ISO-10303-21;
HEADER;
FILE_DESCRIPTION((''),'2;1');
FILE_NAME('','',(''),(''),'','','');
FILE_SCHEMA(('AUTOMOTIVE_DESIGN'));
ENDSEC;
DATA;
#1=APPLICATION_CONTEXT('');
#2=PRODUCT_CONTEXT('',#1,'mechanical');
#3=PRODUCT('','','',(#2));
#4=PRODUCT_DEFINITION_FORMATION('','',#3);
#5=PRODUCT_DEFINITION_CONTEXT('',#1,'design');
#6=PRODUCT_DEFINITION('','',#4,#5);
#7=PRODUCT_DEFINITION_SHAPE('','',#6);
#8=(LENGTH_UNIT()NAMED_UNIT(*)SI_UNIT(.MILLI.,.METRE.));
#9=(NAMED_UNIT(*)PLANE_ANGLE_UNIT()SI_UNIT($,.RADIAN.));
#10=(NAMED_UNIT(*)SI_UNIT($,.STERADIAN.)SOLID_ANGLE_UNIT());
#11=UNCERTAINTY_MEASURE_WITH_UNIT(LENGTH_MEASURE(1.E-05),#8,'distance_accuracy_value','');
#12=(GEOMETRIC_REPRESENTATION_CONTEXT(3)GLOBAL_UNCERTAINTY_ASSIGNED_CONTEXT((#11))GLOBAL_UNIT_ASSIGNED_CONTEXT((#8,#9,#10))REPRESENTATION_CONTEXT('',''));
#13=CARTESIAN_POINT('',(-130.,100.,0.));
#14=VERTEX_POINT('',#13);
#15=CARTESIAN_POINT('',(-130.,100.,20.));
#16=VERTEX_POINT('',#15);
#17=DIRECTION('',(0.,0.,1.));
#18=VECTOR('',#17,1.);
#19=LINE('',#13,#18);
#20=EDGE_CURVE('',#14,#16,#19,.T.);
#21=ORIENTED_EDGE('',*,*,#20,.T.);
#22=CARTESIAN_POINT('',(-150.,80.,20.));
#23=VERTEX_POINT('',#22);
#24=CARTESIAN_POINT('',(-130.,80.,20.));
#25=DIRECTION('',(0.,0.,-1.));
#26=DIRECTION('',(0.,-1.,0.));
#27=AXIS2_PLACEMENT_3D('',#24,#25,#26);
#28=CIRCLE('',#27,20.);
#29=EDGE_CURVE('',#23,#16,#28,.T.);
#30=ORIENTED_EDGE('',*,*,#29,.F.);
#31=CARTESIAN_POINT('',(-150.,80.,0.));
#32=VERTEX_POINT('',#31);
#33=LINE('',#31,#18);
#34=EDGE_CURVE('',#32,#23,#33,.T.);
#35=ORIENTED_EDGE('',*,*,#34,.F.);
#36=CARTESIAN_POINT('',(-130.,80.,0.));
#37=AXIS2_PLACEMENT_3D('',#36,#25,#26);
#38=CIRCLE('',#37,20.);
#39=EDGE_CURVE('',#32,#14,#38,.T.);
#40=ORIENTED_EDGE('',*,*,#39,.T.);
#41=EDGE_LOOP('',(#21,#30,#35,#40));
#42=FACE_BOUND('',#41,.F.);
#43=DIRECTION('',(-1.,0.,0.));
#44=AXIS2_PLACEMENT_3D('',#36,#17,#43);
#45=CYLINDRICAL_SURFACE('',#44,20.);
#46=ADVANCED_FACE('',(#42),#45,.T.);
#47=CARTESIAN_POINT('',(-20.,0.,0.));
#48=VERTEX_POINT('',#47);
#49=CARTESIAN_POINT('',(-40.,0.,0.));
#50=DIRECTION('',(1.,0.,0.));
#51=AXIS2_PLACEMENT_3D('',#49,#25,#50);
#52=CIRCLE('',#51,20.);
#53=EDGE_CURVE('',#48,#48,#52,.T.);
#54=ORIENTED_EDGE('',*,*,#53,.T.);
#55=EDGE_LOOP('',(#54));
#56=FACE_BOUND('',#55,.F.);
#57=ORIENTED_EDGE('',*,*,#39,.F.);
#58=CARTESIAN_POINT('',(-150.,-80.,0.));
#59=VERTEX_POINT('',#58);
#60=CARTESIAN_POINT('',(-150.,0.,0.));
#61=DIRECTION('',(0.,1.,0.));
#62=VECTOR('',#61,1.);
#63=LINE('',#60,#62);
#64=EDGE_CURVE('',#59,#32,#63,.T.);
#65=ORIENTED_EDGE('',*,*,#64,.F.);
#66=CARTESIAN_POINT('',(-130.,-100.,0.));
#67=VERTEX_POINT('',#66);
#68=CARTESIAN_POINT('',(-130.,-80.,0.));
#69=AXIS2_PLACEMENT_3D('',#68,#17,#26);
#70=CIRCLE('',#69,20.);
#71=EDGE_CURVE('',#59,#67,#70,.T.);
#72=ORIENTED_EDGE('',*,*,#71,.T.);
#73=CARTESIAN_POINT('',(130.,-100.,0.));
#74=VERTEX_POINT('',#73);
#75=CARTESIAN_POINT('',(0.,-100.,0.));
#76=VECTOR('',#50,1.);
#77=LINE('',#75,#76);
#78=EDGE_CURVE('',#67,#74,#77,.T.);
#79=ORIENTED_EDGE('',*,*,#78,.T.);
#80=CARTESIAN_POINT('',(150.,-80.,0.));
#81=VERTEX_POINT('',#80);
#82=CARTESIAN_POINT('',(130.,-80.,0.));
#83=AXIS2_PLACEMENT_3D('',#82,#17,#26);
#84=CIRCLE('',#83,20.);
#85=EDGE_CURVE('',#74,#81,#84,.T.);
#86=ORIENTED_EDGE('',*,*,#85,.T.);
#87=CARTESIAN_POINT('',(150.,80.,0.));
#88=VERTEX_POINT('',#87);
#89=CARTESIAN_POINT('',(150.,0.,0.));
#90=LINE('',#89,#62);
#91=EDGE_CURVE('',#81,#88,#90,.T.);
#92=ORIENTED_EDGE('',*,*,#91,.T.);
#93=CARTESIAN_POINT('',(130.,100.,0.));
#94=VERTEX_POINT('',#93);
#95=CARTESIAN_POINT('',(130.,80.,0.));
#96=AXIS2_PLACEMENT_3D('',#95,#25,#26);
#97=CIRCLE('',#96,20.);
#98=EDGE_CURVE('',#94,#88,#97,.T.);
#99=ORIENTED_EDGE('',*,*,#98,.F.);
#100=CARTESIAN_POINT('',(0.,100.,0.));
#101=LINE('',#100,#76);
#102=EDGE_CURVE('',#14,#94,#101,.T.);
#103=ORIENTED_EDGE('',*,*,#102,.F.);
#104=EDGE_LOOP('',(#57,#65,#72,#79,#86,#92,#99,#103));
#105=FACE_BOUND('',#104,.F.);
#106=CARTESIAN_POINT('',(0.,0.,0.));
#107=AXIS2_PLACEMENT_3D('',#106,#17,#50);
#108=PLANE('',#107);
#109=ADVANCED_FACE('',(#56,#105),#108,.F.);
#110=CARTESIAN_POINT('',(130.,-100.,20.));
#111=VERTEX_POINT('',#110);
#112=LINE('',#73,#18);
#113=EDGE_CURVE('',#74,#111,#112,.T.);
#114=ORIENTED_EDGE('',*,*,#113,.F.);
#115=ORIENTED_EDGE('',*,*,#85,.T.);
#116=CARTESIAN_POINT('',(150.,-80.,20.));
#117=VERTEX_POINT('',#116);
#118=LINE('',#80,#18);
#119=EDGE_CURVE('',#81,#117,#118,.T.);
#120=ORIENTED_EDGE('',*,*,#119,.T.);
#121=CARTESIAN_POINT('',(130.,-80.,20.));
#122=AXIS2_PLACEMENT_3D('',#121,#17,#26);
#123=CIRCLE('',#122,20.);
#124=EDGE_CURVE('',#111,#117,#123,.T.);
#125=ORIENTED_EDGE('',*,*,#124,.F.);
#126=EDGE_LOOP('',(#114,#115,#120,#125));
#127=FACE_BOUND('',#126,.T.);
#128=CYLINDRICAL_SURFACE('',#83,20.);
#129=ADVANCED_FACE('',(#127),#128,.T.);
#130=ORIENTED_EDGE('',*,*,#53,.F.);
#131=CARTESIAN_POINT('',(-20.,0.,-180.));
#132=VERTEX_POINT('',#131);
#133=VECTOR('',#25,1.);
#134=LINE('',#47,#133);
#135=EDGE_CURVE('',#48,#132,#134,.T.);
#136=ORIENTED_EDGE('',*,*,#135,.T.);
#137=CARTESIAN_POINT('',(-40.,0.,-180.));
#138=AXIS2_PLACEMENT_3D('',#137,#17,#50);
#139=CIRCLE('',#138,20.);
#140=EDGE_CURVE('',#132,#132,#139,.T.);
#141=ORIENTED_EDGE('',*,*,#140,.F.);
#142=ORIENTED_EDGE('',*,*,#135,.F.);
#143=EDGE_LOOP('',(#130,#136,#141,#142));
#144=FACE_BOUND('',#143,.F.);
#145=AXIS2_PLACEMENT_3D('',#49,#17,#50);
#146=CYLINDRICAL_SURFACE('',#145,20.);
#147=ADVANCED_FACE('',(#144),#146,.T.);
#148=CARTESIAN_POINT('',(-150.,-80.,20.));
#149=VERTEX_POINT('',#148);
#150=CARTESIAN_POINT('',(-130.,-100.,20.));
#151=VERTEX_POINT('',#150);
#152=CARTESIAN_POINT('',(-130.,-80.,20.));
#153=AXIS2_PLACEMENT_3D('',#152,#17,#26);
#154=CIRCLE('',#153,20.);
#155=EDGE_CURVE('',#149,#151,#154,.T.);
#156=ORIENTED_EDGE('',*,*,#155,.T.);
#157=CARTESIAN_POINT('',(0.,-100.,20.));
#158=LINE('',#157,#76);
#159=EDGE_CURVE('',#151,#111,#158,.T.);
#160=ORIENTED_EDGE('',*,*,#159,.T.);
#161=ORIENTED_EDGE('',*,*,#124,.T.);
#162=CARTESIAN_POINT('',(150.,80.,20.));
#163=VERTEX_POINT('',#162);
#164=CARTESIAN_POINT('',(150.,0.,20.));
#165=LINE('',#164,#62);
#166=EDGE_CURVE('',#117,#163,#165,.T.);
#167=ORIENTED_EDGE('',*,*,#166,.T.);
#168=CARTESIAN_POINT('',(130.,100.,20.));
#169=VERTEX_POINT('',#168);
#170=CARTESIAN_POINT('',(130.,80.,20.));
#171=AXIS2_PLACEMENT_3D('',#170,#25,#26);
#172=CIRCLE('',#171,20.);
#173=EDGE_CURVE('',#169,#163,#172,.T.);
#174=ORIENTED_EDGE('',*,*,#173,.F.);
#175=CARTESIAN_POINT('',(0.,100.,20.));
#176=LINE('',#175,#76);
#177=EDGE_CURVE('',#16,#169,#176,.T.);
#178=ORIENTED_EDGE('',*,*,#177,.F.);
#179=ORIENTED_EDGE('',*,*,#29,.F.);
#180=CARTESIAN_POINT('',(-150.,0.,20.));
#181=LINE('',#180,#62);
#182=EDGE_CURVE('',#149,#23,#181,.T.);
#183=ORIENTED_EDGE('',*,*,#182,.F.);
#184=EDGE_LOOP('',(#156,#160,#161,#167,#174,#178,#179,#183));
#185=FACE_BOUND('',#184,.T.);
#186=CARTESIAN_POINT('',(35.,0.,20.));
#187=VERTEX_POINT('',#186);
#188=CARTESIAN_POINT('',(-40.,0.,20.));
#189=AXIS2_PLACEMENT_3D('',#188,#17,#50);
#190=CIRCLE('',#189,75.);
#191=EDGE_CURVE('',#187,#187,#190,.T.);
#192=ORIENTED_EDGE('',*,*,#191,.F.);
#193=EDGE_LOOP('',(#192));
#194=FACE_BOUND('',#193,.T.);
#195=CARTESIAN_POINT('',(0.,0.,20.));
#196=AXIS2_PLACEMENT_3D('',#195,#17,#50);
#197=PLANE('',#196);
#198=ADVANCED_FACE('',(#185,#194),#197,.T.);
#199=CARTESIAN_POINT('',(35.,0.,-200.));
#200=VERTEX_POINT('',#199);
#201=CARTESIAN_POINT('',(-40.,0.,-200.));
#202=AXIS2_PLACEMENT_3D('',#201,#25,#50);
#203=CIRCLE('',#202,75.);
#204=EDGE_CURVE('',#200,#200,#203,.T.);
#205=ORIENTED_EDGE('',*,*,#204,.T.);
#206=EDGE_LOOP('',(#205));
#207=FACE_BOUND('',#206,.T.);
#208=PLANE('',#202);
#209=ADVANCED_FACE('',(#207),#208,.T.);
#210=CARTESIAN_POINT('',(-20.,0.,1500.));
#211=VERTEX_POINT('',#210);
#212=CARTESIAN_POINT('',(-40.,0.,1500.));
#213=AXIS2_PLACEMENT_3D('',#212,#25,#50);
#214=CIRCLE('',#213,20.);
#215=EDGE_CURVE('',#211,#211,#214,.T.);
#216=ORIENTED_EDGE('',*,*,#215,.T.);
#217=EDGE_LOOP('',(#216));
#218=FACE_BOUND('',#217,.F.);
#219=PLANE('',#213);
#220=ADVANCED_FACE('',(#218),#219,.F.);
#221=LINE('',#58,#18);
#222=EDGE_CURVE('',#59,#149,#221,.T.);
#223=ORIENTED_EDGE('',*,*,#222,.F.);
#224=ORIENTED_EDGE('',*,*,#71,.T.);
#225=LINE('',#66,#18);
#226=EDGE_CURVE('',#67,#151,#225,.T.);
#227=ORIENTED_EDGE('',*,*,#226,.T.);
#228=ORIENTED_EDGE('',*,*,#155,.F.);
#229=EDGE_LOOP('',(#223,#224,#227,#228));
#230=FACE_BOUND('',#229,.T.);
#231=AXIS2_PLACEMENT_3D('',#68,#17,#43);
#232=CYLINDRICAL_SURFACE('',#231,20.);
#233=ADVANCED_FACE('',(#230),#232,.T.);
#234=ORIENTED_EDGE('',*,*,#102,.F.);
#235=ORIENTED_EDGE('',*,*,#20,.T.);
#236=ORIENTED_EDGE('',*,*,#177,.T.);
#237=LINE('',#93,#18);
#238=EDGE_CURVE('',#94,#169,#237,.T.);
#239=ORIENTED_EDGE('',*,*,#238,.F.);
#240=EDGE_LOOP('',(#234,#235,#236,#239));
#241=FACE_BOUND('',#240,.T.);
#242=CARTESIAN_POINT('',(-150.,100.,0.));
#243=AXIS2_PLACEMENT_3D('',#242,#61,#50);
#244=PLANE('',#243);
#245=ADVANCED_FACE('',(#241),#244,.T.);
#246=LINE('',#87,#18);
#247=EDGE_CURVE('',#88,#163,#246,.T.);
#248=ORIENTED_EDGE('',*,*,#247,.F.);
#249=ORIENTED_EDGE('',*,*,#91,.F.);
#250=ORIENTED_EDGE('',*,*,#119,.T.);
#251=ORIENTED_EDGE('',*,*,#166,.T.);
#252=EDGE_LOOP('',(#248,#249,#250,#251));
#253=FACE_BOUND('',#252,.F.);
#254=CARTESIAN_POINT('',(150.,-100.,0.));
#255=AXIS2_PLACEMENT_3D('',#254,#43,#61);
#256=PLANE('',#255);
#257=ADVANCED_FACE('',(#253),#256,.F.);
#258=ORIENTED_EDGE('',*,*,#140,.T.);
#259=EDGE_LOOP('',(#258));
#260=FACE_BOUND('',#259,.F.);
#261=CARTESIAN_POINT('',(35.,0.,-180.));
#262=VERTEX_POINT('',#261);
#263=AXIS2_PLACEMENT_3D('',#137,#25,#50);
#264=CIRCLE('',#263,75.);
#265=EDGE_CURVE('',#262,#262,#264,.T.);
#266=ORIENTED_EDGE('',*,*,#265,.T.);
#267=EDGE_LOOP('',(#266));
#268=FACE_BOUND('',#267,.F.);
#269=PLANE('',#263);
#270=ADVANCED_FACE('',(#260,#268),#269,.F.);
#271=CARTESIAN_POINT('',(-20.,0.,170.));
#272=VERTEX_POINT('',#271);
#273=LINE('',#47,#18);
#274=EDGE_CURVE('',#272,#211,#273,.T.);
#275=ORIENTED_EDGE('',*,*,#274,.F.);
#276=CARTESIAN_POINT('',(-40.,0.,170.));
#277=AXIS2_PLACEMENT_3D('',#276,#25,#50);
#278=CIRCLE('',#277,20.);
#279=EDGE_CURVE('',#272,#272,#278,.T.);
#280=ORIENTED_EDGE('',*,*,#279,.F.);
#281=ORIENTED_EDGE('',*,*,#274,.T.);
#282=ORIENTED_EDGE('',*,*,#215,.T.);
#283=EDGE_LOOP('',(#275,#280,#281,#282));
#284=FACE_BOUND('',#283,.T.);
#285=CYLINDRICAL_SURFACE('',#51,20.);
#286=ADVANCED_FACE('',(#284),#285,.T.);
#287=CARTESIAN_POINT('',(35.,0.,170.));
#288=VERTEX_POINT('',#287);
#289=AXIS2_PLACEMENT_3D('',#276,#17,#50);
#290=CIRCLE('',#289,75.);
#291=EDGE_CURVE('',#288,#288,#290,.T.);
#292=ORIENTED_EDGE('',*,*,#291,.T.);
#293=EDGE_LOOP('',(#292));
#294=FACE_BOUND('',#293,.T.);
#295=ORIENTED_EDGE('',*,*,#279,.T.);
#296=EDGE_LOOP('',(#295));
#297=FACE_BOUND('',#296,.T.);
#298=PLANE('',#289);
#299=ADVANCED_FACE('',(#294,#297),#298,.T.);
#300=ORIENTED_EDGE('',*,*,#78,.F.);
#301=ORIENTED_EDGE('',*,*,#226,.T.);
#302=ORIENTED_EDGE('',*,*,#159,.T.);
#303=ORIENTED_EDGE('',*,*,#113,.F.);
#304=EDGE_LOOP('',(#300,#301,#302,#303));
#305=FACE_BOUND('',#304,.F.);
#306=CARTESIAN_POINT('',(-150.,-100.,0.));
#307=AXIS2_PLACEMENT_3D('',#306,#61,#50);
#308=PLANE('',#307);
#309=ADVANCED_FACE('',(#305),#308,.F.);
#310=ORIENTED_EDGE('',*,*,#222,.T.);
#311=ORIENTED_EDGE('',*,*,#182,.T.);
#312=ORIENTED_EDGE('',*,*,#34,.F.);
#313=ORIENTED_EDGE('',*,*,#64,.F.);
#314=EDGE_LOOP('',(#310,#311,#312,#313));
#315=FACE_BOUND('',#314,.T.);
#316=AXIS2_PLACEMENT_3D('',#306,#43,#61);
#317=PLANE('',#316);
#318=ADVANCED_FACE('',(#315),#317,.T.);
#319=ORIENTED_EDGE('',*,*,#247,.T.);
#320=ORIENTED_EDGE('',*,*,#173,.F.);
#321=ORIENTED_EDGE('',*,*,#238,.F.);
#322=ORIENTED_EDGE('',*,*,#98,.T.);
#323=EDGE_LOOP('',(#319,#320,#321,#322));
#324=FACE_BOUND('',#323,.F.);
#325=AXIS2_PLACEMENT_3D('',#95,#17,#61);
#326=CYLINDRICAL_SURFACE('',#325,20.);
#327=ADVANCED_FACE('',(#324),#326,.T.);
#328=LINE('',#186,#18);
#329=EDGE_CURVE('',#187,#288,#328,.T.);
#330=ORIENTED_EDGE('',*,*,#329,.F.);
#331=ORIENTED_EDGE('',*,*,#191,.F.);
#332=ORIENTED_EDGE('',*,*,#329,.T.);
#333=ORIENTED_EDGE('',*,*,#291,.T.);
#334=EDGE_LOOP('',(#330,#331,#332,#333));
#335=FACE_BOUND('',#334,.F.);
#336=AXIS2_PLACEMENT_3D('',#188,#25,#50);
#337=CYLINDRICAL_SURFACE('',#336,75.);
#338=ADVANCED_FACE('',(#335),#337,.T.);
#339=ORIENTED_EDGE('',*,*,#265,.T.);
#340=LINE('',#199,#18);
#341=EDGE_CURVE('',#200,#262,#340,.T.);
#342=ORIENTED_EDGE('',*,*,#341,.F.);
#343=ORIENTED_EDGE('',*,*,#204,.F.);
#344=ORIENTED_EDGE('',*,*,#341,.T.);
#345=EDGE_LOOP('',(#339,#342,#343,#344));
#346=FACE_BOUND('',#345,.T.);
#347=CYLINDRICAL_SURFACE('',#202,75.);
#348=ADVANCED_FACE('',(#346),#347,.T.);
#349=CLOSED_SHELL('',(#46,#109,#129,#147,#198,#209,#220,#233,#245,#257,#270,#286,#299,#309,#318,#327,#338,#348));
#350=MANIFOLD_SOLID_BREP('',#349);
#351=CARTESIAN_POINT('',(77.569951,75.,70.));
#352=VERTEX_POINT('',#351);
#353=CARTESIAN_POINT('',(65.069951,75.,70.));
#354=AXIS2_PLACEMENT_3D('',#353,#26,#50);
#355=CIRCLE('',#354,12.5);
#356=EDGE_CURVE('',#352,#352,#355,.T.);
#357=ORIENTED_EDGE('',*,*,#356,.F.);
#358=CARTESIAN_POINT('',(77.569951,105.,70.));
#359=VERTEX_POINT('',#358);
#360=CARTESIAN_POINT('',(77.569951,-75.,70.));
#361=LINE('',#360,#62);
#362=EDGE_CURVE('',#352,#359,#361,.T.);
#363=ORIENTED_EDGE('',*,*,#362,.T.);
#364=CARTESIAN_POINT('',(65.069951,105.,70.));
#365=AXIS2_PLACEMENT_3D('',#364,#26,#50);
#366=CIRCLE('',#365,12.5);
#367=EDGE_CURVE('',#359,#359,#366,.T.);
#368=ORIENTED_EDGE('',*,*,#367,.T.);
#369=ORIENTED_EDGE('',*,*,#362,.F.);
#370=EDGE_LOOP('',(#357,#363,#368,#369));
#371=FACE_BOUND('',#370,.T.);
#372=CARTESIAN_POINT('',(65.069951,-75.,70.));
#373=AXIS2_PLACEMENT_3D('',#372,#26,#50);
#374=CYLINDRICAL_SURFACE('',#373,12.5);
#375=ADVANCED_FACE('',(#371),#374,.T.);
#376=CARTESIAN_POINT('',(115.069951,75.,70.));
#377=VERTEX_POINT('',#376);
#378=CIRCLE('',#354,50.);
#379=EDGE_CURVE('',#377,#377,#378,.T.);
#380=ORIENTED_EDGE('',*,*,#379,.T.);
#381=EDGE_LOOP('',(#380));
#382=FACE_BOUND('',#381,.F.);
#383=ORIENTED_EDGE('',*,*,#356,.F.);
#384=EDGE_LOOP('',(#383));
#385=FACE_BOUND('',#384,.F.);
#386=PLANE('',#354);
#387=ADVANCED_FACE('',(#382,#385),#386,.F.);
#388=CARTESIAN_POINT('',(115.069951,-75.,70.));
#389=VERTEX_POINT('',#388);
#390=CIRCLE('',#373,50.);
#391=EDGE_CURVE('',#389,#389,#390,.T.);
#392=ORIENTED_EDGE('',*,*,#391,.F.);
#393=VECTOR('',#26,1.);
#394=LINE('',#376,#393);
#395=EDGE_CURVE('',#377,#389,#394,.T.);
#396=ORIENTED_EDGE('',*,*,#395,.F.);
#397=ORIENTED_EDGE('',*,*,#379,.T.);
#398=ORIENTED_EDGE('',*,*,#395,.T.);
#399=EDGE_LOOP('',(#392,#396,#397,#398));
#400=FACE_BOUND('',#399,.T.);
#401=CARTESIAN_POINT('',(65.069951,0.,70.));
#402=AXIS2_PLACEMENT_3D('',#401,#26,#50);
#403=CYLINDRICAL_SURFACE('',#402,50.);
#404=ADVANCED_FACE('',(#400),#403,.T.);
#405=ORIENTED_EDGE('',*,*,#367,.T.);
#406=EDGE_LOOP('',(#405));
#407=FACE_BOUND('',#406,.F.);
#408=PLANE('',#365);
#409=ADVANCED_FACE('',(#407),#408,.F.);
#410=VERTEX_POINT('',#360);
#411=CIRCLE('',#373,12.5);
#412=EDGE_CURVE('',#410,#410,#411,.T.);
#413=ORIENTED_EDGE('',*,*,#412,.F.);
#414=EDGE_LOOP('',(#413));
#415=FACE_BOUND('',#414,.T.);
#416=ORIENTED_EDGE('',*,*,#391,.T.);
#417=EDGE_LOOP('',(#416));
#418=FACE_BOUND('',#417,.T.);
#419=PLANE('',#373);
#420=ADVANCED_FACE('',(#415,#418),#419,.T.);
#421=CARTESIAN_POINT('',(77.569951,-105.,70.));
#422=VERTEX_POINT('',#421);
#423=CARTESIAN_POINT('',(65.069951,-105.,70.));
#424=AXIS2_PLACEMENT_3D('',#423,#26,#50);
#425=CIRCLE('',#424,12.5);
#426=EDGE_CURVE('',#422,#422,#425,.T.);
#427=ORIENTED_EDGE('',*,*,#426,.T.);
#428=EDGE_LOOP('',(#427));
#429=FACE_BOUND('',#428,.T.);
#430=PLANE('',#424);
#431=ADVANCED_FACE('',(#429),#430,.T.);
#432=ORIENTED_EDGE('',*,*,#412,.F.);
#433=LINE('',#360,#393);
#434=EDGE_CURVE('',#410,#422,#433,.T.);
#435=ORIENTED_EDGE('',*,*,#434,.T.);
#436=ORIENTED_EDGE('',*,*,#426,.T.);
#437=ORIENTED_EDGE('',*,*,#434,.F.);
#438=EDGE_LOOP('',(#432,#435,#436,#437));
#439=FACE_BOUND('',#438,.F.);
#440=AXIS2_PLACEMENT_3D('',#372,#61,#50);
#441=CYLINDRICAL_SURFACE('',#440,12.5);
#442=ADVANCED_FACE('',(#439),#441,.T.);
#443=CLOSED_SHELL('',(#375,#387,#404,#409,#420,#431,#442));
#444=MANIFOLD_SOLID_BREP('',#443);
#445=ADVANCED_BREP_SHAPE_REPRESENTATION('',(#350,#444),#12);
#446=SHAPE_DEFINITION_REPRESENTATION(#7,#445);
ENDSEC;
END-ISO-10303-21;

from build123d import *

# Parameters (mm, degrees)
F0_W          = 300
F0_H          = 200
F1_DEPTH      = 20
F2_R          = 75
F3_DEPTH      = 150
F4_R          = 50
F5_DEPTH      = 75
F6_R          = 12.5
F7_DEPTH      = 30
F7_DEPTH_BACK = 180
F8_R          = 20
F9_DEPTH      = 200
F9_DEPTH_BACK = 1500
F10_R         = 75
F11_DEPTH     = 20
F12_R         = 20


with BuildPart() as f1:
    # F0 (on Top) → F1 (new body)
    with BuildSketch(Plane.XY):
        Rectangle(F0_W, F0_H)
    extrude(amount=F1_DEPTH)

    # F2 (on face) → F3 (join)
    with BuildSketch(Plane.XY.offset(20)):
        with Locations((-40, 0)):
            Circle(F2_R)
    extrude(amount=F3_DEPTH)

    # F8 (on face) → F9 (join, two sides)
    with BuildSketch(Plane(origin=(0, 0, 0), x_dir=(1, 0, 0), z_dir=(0, 0, -1))) as f9_sk:
        with Locations((-40, 0)):
            Circle(F8_R)
    extrude(amount=F9_DEPTH)
    extrude(f9_sk.sketch, amount=-F9_DEPTH_BACK)

    # F10 (on face) → F11 (join)
    with BuildSketch(Plane(origin=(0, 0, -200), x_dir=(1, 0, 0), z_dir=(0, 0, -1))):
        with Locations((-40, 0)):
            Circle(F10_R)
    extrude(amount=-F11_DEPTH)

    # F12
    f12_edges = [f1.edges().sort_by_distance(p)[0] for p in [
        (150, 100, 10),
        (150, -100, 10),
        (-150, -100, 10),
        (-150, 100, 10),
    ]]
    fillet(f12_edges, radius=F12_R)


with BuildPart() as f5:
    # F4 (on Front) → F5 (new body, symmetric)
    with BuildSketch(Plane.XZ):
        with Locations((65.069951, 70)):
            Circle(F4_R)
    extrude(amount=F5_DEPTH, both=True)

    # F6 (on face) → F7 (join, two sides)
    with BuildSketch(Plane.XZ.offset(75)) as f7_sk:
        with Locations((65.069951, 70)):
            Circle(F6_R)
    extrude(amount=F7_DEPTH)
    extrude(f7_sk.sketch, amount=-F7_DEPTH_BACK)


solid = Compound([f1.part, f5.part])
